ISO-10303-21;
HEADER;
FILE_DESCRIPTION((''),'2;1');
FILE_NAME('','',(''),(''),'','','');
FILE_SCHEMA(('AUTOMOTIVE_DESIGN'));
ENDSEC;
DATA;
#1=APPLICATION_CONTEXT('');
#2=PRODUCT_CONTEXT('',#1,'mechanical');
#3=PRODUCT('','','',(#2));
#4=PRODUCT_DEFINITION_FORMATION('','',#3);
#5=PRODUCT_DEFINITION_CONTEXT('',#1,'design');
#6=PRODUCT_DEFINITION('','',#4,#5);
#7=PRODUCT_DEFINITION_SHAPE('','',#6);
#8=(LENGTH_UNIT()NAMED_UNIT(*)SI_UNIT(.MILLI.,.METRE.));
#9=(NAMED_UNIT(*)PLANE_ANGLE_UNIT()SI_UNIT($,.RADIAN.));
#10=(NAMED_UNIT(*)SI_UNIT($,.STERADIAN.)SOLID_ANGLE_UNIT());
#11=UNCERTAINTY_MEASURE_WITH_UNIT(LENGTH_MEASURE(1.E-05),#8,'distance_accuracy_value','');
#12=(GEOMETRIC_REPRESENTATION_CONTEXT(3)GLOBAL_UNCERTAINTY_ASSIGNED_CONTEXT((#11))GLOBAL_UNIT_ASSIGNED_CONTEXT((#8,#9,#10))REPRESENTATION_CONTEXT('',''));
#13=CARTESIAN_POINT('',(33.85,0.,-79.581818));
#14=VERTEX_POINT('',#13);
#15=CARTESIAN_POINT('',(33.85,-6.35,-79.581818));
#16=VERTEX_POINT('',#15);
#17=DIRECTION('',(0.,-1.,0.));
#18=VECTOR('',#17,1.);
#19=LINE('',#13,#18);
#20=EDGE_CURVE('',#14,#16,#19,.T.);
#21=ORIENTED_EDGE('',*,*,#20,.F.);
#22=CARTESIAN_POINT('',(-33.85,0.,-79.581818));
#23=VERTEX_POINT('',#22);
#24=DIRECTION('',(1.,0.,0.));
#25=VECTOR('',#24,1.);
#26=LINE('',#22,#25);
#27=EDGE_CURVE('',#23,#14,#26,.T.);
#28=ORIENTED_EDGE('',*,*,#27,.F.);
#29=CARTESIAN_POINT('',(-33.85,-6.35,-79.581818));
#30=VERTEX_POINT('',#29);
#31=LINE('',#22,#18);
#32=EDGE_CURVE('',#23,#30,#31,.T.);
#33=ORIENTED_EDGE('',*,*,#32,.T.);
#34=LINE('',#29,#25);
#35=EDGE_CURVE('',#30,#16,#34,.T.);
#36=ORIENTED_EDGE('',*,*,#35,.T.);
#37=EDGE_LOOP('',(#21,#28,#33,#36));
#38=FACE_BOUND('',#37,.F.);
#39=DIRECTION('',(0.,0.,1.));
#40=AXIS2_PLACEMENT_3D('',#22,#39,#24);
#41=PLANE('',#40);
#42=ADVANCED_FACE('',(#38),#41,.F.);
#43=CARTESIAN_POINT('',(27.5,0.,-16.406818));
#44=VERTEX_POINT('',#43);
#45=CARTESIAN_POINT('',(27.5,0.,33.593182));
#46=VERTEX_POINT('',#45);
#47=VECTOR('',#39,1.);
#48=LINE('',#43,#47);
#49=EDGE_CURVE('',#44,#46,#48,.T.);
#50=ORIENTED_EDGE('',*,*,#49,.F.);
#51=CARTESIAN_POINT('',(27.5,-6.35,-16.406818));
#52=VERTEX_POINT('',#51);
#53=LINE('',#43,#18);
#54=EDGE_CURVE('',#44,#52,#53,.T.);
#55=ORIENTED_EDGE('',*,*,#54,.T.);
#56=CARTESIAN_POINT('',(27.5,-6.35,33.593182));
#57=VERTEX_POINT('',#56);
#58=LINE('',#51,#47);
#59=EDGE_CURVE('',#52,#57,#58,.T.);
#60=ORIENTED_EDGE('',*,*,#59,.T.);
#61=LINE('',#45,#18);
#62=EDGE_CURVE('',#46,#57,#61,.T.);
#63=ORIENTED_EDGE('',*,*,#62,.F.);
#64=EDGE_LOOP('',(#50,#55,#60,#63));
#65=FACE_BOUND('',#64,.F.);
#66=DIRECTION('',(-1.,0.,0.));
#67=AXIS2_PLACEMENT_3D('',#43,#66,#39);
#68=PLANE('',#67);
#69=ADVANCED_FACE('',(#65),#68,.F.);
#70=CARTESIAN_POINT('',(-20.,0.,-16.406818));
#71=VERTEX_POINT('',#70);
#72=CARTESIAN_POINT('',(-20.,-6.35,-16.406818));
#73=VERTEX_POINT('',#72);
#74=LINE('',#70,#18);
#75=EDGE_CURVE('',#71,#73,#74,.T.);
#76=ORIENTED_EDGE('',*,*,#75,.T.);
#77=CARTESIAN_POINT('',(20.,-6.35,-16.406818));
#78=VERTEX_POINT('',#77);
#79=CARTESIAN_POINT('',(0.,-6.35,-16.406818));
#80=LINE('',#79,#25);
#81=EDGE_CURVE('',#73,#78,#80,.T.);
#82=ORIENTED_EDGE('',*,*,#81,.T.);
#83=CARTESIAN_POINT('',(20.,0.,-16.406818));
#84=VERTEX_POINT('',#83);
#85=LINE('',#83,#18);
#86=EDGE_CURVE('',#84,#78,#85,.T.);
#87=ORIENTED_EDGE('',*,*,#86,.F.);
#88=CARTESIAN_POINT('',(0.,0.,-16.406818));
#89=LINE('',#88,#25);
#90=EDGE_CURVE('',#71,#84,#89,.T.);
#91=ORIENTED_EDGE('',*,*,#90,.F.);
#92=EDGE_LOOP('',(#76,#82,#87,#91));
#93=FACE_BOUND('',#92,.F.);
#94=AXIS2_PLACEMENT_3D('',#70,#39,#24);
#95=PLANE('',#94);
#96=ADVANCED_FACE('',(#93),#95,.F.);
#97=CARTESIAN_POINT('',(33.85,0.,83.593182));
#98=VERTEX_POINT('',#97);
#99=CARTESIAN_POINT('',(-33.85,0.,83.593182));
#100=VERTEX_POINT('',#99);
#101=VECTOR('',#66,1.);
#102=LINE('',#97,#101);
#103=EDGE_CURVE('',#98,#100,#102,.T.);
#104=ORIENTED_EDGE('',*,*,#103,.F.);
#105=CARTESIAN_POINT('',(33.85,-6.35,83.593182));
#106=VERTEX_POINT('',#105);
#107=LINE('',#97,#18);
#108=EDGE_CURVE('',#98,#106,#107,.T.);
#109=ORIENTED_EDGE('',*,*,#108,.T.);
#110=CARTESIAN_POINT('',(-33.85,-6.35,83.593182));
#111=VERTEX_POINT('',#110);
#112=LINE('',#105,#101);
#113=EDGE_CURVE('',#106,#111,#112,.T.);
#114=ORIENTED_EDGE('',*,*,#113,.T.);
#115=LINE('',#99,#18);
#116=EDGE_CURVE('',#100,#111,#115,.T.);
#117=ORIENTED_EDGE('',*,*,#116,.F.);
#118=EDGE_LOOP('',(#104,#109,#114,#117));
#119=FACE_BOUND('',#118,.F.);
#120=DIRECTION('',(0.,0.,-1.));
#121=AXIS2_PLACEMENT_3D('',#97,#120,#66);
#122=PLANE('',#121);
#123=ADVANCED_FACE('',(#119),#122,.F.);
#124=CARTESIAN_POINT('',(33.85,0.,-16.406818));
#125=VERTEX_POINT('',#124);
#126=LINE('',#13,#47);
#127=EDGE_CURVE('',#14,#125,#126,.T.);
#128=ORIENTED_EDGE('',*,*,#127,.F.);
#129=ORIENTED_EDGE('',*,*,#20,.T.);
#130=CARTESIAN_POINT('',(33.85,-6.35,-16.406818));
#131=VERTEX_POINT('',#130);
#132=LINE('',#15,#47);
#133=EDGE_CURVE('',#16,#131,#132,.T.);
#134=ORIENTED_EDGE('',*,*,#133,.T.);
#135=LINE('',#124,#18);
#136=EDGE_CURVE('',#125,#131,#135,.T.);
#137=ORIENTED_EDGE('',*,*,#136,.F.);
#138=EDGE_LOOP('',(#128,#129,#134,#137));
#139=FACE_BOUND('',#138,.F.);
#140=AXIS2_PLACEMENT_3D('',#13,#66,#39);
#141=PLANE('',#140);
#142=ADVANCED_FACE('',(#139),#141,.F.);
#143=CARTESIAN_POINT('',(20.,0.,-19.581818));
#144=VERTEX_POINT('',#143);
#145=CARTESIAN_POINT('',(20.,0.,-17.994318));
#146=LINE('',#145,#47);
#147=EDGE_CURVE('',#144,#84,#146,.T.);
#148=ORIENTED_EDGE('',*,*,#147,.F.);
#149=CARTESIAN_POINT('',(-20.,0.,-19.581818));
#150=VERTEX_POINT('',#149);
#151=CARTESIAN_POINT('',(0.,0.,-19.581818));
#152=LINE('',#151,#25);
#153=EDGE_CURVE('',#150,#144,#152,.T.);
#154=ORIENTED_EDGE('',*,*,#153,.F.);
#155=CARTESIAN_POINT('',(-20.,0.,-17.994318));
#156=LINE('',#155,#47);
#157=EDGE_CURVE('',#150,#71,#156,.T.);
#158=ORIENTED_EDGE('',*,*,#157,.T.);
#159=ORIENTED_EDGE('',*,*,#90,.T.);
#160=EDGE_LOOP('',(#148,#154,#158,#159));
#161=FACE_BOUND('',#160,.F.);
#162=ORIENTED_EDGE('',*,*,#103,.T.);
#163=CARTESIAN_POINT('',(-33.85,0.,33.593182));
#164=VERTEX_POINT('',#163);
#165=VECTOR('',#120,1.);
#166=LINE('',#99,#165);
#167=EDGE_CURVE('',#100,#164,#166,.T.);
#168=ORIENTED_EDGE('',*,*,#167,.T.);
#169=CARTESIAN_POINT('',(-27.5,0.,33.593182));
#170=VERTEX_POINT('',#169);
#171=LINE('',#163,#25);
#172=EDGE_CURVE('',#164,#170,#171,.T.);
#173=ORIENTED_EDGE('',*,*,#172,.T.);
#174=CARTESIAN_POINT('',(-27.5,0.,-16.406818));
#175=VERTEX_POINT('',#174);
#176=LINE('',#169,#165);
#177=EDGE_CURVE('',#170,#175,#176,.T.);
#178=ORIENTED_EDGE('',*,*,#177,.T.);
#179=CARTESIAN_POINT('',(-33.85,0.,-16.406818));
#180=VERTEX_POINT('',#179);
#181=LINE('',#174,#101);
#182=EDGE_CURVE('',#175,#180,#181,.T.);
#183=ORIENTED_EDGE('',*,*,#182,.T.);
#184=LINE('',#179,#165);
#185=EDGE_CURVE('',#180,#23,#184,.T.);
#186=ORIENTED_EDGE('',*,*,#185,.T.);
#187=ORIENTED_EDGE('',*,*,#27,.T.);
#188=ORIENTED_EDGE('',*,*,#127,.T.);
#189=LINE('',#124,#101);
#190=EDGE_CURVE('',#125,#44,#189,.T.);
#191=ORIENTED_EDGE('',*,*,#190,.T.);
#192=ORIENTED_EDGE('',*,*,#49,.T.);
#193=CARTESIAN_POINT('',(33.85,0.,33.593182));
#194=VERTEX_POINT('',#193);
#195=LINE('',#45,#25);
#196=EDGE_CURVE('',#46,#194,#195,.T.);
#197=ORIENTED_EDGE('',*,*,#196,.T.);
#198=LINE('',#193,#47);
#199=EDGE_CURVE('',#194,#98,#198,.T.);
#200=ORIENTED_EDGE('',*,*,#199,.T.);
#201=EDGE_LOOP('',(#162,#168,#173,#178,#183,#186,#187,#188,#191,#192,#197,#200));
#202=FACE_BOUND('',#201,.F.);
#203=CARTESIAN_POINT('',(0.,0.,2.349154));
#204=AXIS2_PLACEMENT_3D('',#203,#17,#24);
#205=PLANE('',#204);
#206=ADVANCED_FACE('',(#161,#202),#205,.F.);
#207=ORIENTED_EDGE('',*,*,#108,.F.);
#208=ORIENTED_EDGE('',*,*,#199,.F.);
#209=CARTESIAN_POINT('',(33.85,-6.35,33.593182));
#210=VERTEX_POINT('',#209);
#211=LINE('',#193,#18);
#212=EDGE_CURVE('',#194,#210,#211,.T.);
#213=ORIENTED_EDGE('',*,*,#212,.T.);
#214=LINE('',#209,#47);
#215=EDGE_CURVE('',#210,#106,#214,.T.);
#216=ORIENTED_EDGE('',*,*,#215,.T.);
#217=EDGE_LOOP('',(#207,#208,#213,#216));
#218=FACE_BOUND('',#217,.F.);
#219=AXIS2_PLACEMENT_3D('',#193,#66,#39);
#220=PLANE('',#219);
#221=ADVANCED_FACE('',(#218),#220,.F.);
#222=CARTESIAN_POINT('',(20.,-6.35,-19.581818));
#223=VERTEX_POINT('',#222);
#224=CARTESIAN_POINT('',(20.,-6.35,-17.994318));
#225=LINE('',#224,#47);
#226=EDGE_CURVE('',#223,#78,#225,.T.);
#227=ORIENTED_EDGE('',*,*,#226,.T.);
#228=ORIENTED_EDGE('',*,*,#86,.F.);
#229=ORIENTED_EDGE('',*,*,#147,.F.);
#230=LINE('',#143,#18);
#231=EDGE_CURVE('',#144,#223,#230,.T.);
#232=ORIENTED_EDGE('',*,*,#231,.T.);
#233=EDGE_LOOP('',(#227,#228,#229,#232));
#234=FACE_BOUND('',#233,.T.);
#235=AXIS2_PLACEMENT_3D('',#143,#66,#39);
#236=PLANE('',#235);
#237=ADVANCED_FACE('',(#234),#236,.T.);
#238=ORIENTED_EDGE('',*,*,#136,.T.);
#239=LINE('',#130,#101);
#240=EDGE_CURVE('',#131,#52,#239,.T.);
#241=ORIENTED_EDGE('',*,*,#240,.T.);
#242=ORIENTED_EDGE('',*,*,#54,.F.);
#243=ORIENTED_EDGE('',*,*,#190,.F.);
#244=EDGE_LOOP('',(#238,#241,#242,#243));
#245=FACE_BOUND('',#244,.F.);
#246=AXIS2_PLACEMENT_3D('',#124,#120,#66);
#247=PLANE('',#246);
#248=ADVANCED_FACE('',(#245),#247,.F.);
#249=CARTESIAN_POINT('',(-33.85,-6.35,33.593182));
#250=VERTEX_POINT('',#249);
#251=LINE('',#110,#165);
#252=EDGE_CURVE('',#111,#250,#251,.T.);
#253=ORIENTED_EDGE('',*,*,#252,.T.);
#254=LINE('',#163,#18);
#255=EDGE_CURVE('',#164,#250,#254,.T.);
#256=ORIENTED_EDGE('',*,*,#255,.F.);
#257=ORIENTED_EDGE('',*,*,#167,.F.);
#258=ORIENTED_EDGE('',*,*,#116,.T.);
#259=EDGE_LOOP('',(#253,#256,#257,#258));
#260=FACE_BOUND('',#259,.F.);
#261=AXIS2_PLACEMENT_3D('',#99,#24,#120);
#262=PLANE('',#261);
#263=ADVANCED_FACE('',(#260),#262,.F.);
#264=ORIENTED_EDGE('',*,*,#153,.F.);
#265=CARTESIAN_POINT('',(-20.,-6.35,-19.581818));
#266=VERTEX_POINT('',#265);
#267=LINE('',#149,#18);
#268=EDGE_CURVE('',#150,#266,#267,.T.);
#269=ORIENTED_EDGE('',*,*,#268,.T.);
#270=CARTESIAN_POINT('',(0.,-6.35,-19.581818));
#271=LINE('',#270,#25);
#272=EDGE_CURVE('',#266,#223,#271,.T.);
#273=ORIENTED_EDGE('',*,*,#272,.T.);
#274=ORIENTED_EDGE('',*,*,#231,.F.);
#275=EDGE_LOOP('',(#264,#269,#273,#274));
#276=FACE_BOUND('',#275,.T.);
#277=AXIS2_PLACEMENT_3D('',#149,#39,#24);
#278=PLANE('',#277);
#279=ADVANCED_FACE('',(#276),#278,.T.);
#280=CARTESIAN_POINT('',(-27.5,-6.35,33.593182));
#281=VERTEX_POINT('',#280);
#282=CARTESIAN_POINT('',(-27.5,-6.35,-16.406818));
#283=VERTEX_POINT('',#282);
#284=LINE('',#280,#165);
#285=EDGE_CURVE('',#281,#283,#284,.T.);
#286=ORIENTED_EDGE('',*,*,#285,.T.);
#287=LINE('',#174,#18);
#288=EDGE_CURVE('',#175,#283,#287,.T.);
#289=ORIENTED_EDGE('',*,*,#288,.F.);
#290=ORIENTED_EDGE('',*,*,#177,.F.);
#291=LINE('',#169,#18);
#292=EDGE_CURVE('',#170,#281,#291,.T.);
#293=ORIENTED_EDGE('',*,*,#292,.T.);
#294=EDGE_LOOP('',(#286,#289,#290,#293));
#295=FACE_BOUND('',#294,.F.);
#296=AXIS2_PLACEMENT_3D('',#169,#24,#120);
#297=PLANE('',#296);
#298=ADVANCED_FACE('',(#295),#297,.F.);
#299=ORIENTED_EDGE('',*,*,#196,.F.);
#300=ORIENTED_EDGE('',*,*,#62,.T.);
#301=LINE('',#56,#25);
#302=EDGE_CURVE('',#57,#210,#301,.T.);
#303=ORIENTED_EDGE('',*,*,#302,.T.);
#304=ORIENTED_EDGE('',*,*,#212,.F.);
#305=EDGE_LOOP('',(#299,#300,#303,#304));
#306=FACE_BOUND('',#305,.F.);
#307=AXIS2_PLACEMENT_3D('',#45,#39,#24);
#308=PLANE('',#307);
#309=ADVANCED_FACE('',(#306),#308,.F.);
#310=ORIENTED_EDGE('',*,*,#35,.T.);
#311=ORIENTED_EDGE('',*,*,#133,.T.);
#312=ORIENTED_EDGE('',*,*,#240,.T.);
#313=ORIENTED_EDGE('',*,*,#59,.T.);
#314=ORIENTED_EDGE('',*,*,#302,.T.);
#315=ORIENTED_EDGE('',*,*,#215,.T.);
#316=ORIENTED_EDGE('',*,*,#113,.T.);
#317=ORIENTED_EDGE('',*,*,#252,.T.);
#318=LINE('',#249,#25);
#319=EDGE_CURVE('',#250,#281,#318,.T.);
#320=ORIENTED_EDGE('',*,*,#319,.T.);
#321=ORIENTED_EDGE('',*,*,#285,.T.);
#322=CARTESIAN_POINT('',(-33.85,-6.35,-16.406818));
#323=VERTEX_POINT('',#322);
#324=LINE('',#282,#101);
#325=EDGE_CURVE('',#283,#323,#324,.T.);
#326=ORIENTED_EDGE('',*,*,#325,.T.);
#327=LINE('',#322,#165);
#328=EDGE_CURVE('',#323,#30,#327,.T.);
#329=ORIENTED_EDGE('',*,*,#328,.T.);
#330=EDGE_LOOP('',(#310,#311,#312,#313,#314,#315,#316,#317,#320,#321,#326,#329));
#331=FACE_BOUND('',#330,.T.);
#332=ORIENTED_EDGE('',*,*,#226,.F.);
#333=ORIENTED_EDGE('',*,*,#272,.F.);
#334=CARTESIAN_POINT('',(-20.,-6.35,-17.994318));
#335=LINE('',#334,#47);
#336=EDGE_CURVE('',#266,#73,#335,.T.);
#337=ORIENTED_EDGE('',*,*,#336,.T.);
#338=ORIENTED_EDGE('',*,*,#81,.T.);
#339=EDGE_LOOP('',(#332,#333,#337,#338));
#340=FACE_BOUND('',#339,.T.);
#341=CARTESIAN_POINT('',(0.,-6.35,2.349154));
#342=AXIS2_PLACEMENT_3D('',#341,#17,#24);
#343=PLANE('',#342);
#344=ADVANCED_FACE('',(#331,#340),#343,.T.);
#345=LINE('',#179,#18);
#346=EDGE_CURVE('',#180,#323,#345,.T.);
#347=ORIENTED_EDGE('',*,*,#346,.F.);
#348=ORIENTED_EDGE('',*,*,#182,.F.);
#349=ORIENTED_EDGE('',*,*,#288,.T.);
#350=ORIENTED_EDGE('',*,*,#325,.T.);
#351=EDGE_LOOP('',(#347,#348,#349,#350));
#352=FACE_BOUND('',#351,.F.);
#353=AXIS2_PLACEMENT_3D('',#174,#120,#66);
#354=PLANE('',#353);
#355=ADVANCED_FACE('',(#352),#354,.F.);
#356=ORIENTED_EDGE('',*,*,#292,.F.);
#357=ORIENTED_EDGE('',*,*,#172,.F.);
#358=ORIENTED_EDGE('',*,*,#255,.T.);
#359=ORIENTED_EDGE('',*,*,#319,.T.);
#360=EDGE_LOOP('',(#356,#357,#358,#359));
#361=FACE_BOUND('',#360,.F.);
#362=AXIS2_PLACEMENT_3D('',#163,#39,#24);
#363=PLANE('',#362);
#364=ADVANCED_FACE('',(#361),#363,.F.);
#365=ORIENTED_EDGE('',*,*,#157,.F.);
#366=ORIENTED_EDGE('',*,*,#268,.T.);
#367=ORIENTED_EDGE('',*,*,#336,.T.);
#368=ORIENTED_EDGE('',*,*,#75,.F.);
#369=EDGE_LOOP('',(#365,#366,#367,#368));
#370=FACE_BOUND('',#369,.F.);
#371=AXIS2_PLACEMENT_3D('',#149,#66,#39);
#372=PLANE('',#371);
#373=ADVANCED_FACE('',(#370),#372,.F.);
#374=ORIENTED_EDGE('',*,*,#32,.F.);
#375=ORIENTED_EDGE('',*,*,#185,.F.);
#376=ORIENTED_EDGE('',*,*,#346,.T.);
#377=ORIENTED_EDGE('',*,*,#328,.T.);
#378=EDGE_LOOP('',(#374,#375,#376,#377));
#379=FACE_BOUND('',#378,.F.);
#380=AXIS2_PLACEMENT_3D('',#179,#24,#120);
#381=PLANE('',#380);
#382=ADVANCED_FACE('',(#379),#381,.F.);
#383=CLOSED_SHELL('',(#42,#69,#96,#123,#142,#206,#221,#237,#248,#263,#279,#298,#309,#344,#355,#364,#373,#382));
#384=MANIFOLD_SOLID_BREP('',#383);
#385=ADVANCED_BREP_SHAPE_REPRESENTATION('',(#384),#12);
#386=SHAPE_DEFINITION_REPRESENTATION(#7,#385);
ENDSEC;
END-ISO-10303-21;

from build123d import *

# Parameters (mm, degrees)
F0_W     = 40
F0_H     = 3.175
F1_DEPTH = 6.35


with BuildPart() as f1:
    # F0 (on Front) → F1 (new body)
    with BuildSketch(Plane.XZ):
        Polygon((33.85, 83.593182), (-33.85, 83.593182), (-33.85, 33.593182), (-27.5, 33.593182), (-27.5, -16.406818), (-33.85, -16.406818), (-33.85, -79.581818), (33.85, -79.581818), (33.85, -16.406818), (27.5, -16.406818), (27.5, 33.593182), (33.85, 33.593182), align=None)
        with Locations((0, -17.994318)):
            Rectangle(F0_W, F0_H, mode=Mode.SUBTRACT)
    extrude(amount=F1_DEPTH)


solid = f1.part
